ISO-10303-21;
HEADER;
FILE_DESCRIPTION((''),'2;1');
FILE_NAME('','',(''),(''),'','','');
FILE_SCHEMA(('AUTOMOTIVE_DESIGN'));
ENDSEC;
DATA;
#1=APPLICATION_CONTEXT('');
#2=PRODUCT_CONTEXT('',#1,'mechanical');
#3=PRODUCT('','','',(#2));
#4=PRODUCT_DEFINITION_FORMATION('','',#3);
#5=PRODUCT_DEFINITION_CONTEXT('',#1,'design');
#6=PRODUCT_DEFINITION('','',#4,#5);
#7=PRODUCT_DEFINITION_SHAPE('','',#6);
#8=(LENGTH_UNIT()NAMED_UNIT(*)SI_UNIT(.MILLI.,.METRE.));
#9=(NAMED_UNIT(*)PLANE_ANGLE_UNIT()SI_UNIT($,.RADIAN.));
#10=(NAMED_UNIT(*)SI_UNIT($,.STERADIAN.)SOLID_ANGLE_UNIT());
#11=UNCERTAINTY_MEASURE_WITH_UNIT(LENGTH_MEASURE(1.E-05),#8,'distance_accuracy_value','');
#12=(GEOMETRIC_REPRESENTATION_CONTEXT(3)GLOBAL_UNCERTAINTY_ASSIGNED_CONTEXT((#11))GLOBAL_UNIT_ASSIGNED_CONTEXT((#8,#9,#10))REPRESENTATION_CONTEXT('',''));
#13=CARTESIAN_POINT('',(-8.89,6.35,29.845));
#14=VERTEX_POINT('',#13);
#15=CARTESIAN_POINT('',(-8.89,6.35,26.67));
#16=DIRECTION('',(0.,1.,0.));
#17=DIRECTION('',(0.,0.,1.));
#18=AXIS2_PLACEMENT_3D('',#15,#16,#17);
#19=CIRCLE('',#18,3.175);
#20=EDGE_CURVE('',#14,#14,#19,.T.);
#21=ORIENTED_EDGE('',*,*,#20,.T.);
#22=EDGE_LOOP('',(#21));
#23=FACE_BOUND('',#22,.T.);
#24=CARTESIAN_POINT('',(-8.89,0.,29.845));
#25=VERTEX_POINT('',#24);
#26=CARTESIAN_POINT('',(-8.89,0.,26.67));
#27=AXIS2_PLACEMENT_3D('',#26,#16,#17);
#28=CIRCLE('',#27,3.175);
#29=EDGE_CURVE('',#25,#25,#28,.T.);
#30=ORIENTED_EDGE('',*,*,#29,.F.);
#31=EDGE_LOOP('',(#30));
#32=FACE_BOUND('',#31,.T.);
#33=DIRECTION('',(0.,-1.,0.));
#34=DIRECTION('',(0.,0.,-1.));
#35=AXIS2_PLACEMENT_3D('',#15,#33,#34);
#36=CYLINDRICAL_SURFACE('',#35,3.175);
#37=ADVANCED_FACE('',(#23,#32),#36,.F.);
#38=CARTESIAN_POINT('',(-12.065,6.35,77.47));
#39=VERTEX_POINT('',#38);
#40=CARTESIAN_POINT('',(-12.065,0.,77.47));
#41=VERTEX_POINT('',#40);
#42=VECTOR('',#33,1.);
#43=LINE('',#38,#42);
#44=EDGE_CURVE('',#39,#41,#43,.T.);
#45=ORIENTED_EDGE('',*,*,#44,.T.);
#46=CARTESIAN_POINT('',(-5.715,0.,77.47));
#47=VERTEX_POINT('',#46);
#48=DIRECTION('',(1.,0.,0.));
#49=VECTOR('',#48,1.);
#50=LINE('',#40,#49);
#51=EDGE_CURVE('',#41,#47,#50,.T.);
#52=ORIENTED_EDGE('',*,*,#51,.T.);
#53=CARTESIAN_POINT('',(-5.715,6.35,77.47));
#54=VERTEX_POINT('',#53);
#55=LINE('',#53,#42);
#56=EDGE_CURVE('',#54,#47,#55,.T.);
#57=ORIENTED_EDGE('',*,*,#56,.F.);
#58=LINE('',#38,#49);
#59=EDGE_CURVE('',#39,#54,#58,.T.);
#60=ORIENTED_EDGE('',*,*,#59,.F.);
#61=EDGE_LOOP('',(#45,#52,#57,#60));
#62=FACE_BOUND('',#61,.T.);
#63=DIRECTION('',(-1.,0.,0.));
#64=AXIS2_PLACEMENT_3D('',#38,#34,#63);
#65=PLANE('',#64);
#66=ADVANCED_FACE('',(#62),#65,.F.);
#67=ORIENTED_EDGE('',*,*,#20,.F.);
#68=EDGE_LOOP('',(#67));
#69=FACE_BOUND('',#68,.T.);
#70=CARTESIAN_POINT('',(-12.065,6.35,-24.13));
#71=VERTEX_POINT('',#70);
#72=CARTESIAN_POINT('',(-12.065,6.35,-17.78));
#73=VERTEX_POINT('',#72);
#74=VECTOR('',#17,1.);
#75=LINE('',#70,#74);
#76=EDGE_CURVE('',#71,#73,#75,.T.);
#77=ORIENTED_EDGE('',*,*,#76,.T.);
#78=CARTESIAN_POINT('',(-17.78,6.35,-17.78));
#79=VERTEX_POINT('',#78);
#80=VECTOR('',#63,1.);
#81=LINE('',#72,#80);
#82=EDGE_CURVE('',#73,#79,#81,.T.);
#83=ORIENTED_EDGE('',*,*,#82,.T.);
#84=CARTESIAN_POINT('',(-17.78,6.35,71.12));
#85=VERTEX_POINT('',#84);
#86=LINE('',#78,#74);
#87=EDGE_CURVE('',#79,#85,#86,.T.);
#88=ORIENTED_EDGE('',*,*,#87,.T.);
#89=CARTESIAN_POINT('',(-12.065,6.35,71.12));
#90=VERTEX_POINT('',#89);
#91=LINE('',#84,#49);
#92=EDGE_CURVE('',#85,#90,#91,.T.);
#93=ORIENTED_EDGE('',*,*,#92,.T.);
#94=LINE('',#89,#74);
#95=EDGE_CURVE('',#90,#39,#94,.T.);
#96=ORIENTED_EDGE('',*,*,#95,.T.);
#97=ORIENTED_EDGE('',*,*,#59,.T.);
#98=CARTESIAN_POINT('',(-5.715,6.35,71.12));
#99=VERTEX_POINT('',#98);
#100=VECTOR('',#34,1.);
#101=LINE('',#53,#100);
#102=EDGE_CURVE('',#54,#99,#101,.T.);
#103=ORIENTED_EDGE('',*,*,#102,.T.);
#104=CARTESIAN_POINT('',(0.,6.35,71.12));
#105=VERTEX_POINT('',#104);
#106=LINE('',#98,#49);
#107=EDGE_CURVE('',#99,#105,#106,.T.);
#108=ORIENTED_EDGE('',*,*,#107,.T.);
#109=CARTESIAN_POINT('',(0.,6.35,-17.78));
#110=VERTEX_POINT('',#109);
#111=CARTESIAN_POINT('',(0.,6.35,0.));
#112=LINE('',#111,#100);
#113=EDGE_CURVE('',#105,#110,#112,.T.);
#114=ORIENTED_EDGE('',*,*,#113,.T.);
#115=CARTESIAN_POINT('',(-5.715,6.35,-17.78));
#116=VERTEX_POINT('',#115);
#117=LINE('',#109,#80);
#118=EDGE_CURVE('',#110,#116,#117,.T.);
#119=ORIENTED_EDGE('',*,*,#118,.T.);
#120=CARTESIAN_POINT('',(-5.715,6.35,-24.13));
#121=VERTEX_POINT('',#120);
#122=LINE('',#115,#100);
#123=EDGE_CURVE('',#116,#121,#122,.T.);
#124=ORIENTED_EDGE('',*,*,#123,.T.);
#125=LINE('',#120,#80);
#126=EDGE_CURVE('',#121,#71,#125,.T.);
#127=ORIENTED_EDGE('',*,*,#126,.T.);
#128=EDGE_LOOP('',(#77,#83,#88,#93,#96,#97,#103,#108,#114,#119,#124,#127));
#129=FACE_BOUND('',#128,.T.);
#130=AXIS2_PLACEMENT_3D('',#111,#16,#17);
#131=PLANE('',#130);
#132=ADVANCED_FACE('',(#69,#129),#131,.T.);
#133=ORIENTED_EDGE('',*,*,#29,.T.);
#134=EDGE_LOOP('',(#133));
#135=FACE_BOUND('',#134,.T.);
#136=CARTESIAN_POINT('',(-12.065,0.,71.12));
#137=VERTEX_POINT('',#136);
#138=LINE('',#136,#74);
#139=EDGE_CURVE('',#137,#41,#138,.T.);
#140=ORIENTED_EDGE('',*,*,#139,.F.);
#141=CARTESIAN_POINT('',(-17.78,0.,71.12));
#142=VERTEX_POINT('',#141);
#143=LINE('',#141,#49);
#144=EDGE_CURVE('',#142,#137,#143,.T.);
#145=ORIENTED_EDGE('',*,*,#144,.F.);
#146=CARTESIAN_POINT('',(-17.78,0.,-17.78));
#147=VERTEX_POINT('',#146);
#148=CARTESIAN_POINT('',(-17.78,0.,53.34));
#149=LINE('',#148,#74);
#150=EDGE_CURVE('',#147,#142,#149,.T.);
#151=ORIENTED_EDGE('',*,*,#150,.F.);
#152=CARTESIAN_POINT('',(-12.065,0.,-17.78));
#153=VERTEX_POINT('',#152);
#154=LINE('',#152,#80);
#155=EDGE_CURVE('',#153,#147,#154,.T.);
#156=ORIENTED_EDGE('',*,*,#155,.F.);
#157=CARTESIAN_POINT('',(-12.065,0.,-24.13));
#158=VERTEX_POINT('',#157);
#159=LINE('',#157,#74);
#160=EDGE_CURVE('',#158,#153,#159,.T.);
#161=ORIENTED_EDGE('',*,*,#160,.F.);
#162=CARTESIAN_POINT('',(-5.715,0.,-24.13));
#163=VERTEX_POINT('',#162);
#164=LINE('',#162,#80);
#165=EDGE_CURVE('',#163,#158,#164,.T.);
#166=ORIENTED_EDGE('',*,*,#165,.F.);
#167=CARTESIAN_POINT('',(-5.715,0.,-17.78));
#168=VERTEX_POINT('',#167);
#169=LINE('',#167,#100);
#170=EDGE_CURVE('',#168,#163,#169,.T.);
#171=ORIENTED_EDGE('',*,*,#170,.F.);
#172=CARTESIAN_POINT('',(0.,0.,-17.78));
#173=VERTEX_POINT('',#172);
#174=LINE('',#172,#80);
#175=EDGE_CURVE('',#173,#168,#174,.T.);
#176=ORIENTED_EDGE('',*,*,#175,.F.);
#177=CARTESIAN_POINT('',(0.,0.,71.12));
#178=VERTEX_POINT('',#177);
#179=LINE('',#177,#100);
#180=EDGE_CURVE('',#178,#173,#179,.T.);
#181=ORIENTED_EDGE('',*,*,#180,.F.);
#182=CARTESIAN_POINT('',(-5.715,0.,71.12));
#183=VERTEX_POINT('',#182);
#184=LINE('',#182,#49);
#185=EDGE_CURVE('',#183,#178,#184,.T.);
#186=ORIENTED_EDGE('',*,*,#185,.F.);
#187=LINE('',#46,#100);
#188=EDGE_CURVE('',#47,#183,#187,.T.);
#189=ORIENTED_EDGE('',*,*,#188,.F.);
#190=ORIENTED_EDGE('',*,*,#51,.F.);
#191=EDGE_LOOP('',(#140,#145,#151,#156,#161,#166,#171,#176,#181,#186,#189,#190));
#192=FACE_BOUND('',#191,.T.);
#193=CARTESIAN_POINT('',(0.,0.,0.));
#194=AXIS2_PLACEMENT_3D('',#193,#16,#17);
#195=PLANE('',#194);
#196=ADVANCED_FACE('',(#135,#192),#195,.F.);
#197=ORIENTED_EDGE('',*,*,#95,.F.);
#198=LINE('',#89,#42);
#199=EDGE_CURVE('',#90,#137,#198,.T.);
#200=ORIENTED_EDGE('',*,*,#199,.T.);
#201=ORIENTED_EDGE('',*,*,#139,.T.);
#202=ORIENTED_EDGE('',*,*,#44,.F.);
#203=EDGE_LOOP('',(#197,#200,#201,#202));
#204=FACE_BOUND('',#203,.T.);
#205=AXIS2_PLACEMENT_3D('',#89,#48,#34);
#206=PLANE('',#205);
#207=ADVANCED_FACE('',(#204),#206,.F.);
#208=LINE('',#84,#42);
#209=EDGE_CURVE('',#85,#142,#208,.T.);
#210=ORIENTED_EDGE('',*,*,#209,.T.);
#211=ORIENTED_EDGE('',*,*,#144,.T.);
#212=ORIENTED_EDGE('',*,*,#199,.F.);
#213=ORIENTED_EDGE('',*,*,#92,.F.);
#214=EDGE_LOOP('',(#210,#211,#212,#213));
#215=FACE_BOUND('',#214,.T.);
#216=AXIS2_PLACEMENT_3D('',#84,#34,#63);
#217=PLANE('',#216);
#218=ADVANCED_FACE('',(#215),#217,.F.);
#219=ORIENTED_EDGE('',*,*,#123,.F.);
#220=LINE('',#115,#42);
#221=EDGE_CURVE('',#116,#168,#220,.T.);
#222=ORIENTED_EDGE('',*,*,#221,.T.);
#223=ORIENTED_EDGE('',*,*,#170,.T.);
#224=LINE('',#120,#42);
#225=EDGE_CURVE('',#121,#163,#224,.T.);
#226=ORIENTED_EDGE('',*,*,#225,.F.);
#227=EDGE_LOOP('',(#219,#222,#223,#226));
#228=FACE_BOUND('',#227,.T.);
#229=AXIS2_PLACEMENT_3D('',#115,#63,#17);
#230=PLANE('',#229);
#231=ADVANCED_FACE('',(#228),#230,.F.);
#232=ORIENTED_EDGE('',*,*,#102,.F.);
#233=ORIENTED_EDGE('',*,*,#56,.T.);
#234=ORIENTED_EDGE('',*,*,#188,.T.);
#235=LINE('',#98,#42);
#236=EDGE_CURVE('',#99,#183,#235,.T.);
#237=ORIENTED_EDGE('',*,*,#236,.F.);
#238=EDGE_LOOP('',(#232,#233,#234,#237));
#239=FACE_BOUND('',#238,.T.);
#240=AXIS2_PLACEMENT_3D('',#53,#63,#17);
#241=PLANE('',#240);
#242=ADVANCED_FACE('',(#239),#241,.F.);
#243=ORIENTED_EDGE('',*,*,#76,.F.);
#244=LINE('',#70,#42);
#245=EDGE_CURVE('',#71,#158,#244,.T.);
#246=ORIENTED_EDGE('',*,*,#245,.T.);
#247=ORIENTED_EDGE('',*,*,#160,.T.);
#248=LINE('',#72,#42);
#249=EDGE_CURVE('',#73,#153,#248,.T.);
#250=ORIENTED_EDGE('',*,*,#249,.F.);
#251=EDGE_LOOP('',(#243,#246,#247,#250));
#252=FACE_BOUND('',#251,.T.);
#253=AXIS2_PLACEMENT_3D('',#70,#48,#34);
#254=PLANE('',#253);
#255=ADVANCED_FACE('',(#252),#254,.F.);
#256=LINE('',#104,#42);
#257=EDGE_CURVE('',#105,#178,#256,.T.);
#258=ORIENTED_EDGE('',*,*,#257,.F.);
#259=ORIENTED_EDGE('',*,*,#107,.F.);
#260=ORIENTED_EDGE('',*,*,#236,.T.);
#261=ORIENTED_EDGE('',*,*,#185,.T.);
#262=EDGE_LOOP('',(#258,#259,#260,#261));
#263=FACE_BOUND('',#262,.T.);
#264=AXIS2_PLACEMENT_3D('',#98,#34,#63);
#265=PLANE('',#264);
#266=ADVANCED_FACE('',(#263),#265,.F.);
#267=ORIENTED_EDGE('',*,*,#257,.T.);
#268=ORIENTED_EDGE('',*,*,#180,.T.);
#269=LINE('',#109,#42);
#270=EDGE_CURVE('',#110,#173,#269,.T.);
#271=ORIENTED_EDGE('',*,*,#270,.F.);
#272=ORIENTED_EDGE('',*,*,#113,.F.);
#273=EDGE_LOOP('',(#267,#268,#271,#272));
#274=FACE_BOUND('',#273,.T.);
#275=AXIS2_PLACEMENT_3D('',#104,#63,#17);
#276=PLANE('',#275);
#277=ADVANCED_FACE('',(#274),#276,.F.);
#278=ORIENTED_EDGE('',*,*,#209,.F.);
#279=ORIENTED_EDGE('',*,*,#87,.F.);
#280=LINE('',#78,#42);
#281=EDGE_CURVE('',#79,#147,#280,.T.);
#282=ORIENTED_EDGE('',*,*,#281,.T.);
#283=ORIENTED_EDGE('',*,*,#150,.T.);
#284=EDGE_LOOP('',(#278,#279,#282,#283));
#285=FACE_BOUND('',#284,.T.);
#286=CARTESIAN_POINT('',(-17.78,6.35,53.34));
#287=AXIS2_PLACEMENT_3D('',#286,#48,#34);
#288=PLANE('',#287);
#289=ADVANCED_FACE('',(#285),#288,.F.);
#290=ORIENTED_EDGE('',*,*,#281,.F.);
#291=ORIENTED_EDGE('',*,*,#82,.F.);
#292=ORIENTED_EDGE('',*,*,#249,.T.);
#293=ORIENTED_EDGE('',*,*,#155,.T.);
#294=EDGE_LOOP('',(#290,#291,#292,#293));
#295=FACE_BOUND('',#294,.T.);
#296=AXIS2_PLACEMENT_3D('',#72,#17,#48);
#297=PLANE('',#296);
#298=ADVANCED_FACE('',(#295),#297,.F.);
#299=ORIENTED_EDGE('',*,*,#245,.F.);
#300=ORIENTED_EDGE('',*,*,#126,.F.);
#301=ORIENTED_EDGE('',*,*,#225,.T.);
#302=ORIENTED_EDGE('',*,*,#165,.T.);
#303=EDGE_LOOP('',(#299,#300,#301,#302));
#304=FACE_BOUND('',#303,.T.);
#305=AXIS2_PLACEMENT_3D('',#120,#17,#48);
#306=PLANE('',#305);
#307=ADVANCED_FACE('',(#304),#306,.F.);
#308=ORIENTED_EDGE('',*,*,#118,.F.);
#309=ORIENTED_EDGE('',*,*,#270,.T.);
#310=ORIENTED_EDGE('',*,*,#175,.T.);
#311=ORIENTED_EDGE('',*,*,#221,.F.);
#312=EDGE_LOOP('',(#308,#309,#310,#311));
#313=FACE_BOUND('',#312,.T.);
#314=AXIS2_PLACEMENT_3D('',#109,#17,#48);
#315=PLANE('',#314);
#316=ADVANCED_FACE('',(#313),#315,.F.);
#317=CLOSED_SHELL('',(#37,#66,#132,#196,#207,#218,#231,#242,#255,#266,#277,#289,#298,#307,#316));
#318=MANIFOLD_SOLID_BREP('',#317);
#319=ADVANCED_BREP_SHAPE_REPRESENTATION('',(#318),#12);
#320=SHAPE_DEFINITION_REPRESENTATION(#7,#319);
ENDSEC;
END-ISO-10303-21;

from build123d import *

# Parameters (mm, degrees)
SKETCH1_R           = 3.175
BOSS_EXTRUDE1_DEPTH = 6.35


with BuildPart() as part:
    # Sketch1 → Boss-Extrude1 (new body)
    with BuildSketch(Plane(origin=(0, 0, 0), x_dir=(1, 0, 0), z_dir=(0, 1, 0))):
        Polygon((0, 0), (0, 17.78), (-5.715, 17.78), (-5.715, 24.13), (-12.065, 24.13), (-12.065, 17.78), (-17.78, 17.78), (-17.78, 0), (-17.78, -53.34), (-17.78, -71.12), (-12.065, -71.12), (-12.065, -77.47), (-5.715, -77.47), (-5.715, -71.12), (0, -71.12), (0, -53.34), align=None)
        with Locations(Location((-8.89, -26.67, 0), (0, 0, 270))):
            Circle(SKETCH1_R, mode=Mode.SUBTRACT)
    extrude(amount=BOSS_EXTRUDE1_DEPTH)


solid = part.part
